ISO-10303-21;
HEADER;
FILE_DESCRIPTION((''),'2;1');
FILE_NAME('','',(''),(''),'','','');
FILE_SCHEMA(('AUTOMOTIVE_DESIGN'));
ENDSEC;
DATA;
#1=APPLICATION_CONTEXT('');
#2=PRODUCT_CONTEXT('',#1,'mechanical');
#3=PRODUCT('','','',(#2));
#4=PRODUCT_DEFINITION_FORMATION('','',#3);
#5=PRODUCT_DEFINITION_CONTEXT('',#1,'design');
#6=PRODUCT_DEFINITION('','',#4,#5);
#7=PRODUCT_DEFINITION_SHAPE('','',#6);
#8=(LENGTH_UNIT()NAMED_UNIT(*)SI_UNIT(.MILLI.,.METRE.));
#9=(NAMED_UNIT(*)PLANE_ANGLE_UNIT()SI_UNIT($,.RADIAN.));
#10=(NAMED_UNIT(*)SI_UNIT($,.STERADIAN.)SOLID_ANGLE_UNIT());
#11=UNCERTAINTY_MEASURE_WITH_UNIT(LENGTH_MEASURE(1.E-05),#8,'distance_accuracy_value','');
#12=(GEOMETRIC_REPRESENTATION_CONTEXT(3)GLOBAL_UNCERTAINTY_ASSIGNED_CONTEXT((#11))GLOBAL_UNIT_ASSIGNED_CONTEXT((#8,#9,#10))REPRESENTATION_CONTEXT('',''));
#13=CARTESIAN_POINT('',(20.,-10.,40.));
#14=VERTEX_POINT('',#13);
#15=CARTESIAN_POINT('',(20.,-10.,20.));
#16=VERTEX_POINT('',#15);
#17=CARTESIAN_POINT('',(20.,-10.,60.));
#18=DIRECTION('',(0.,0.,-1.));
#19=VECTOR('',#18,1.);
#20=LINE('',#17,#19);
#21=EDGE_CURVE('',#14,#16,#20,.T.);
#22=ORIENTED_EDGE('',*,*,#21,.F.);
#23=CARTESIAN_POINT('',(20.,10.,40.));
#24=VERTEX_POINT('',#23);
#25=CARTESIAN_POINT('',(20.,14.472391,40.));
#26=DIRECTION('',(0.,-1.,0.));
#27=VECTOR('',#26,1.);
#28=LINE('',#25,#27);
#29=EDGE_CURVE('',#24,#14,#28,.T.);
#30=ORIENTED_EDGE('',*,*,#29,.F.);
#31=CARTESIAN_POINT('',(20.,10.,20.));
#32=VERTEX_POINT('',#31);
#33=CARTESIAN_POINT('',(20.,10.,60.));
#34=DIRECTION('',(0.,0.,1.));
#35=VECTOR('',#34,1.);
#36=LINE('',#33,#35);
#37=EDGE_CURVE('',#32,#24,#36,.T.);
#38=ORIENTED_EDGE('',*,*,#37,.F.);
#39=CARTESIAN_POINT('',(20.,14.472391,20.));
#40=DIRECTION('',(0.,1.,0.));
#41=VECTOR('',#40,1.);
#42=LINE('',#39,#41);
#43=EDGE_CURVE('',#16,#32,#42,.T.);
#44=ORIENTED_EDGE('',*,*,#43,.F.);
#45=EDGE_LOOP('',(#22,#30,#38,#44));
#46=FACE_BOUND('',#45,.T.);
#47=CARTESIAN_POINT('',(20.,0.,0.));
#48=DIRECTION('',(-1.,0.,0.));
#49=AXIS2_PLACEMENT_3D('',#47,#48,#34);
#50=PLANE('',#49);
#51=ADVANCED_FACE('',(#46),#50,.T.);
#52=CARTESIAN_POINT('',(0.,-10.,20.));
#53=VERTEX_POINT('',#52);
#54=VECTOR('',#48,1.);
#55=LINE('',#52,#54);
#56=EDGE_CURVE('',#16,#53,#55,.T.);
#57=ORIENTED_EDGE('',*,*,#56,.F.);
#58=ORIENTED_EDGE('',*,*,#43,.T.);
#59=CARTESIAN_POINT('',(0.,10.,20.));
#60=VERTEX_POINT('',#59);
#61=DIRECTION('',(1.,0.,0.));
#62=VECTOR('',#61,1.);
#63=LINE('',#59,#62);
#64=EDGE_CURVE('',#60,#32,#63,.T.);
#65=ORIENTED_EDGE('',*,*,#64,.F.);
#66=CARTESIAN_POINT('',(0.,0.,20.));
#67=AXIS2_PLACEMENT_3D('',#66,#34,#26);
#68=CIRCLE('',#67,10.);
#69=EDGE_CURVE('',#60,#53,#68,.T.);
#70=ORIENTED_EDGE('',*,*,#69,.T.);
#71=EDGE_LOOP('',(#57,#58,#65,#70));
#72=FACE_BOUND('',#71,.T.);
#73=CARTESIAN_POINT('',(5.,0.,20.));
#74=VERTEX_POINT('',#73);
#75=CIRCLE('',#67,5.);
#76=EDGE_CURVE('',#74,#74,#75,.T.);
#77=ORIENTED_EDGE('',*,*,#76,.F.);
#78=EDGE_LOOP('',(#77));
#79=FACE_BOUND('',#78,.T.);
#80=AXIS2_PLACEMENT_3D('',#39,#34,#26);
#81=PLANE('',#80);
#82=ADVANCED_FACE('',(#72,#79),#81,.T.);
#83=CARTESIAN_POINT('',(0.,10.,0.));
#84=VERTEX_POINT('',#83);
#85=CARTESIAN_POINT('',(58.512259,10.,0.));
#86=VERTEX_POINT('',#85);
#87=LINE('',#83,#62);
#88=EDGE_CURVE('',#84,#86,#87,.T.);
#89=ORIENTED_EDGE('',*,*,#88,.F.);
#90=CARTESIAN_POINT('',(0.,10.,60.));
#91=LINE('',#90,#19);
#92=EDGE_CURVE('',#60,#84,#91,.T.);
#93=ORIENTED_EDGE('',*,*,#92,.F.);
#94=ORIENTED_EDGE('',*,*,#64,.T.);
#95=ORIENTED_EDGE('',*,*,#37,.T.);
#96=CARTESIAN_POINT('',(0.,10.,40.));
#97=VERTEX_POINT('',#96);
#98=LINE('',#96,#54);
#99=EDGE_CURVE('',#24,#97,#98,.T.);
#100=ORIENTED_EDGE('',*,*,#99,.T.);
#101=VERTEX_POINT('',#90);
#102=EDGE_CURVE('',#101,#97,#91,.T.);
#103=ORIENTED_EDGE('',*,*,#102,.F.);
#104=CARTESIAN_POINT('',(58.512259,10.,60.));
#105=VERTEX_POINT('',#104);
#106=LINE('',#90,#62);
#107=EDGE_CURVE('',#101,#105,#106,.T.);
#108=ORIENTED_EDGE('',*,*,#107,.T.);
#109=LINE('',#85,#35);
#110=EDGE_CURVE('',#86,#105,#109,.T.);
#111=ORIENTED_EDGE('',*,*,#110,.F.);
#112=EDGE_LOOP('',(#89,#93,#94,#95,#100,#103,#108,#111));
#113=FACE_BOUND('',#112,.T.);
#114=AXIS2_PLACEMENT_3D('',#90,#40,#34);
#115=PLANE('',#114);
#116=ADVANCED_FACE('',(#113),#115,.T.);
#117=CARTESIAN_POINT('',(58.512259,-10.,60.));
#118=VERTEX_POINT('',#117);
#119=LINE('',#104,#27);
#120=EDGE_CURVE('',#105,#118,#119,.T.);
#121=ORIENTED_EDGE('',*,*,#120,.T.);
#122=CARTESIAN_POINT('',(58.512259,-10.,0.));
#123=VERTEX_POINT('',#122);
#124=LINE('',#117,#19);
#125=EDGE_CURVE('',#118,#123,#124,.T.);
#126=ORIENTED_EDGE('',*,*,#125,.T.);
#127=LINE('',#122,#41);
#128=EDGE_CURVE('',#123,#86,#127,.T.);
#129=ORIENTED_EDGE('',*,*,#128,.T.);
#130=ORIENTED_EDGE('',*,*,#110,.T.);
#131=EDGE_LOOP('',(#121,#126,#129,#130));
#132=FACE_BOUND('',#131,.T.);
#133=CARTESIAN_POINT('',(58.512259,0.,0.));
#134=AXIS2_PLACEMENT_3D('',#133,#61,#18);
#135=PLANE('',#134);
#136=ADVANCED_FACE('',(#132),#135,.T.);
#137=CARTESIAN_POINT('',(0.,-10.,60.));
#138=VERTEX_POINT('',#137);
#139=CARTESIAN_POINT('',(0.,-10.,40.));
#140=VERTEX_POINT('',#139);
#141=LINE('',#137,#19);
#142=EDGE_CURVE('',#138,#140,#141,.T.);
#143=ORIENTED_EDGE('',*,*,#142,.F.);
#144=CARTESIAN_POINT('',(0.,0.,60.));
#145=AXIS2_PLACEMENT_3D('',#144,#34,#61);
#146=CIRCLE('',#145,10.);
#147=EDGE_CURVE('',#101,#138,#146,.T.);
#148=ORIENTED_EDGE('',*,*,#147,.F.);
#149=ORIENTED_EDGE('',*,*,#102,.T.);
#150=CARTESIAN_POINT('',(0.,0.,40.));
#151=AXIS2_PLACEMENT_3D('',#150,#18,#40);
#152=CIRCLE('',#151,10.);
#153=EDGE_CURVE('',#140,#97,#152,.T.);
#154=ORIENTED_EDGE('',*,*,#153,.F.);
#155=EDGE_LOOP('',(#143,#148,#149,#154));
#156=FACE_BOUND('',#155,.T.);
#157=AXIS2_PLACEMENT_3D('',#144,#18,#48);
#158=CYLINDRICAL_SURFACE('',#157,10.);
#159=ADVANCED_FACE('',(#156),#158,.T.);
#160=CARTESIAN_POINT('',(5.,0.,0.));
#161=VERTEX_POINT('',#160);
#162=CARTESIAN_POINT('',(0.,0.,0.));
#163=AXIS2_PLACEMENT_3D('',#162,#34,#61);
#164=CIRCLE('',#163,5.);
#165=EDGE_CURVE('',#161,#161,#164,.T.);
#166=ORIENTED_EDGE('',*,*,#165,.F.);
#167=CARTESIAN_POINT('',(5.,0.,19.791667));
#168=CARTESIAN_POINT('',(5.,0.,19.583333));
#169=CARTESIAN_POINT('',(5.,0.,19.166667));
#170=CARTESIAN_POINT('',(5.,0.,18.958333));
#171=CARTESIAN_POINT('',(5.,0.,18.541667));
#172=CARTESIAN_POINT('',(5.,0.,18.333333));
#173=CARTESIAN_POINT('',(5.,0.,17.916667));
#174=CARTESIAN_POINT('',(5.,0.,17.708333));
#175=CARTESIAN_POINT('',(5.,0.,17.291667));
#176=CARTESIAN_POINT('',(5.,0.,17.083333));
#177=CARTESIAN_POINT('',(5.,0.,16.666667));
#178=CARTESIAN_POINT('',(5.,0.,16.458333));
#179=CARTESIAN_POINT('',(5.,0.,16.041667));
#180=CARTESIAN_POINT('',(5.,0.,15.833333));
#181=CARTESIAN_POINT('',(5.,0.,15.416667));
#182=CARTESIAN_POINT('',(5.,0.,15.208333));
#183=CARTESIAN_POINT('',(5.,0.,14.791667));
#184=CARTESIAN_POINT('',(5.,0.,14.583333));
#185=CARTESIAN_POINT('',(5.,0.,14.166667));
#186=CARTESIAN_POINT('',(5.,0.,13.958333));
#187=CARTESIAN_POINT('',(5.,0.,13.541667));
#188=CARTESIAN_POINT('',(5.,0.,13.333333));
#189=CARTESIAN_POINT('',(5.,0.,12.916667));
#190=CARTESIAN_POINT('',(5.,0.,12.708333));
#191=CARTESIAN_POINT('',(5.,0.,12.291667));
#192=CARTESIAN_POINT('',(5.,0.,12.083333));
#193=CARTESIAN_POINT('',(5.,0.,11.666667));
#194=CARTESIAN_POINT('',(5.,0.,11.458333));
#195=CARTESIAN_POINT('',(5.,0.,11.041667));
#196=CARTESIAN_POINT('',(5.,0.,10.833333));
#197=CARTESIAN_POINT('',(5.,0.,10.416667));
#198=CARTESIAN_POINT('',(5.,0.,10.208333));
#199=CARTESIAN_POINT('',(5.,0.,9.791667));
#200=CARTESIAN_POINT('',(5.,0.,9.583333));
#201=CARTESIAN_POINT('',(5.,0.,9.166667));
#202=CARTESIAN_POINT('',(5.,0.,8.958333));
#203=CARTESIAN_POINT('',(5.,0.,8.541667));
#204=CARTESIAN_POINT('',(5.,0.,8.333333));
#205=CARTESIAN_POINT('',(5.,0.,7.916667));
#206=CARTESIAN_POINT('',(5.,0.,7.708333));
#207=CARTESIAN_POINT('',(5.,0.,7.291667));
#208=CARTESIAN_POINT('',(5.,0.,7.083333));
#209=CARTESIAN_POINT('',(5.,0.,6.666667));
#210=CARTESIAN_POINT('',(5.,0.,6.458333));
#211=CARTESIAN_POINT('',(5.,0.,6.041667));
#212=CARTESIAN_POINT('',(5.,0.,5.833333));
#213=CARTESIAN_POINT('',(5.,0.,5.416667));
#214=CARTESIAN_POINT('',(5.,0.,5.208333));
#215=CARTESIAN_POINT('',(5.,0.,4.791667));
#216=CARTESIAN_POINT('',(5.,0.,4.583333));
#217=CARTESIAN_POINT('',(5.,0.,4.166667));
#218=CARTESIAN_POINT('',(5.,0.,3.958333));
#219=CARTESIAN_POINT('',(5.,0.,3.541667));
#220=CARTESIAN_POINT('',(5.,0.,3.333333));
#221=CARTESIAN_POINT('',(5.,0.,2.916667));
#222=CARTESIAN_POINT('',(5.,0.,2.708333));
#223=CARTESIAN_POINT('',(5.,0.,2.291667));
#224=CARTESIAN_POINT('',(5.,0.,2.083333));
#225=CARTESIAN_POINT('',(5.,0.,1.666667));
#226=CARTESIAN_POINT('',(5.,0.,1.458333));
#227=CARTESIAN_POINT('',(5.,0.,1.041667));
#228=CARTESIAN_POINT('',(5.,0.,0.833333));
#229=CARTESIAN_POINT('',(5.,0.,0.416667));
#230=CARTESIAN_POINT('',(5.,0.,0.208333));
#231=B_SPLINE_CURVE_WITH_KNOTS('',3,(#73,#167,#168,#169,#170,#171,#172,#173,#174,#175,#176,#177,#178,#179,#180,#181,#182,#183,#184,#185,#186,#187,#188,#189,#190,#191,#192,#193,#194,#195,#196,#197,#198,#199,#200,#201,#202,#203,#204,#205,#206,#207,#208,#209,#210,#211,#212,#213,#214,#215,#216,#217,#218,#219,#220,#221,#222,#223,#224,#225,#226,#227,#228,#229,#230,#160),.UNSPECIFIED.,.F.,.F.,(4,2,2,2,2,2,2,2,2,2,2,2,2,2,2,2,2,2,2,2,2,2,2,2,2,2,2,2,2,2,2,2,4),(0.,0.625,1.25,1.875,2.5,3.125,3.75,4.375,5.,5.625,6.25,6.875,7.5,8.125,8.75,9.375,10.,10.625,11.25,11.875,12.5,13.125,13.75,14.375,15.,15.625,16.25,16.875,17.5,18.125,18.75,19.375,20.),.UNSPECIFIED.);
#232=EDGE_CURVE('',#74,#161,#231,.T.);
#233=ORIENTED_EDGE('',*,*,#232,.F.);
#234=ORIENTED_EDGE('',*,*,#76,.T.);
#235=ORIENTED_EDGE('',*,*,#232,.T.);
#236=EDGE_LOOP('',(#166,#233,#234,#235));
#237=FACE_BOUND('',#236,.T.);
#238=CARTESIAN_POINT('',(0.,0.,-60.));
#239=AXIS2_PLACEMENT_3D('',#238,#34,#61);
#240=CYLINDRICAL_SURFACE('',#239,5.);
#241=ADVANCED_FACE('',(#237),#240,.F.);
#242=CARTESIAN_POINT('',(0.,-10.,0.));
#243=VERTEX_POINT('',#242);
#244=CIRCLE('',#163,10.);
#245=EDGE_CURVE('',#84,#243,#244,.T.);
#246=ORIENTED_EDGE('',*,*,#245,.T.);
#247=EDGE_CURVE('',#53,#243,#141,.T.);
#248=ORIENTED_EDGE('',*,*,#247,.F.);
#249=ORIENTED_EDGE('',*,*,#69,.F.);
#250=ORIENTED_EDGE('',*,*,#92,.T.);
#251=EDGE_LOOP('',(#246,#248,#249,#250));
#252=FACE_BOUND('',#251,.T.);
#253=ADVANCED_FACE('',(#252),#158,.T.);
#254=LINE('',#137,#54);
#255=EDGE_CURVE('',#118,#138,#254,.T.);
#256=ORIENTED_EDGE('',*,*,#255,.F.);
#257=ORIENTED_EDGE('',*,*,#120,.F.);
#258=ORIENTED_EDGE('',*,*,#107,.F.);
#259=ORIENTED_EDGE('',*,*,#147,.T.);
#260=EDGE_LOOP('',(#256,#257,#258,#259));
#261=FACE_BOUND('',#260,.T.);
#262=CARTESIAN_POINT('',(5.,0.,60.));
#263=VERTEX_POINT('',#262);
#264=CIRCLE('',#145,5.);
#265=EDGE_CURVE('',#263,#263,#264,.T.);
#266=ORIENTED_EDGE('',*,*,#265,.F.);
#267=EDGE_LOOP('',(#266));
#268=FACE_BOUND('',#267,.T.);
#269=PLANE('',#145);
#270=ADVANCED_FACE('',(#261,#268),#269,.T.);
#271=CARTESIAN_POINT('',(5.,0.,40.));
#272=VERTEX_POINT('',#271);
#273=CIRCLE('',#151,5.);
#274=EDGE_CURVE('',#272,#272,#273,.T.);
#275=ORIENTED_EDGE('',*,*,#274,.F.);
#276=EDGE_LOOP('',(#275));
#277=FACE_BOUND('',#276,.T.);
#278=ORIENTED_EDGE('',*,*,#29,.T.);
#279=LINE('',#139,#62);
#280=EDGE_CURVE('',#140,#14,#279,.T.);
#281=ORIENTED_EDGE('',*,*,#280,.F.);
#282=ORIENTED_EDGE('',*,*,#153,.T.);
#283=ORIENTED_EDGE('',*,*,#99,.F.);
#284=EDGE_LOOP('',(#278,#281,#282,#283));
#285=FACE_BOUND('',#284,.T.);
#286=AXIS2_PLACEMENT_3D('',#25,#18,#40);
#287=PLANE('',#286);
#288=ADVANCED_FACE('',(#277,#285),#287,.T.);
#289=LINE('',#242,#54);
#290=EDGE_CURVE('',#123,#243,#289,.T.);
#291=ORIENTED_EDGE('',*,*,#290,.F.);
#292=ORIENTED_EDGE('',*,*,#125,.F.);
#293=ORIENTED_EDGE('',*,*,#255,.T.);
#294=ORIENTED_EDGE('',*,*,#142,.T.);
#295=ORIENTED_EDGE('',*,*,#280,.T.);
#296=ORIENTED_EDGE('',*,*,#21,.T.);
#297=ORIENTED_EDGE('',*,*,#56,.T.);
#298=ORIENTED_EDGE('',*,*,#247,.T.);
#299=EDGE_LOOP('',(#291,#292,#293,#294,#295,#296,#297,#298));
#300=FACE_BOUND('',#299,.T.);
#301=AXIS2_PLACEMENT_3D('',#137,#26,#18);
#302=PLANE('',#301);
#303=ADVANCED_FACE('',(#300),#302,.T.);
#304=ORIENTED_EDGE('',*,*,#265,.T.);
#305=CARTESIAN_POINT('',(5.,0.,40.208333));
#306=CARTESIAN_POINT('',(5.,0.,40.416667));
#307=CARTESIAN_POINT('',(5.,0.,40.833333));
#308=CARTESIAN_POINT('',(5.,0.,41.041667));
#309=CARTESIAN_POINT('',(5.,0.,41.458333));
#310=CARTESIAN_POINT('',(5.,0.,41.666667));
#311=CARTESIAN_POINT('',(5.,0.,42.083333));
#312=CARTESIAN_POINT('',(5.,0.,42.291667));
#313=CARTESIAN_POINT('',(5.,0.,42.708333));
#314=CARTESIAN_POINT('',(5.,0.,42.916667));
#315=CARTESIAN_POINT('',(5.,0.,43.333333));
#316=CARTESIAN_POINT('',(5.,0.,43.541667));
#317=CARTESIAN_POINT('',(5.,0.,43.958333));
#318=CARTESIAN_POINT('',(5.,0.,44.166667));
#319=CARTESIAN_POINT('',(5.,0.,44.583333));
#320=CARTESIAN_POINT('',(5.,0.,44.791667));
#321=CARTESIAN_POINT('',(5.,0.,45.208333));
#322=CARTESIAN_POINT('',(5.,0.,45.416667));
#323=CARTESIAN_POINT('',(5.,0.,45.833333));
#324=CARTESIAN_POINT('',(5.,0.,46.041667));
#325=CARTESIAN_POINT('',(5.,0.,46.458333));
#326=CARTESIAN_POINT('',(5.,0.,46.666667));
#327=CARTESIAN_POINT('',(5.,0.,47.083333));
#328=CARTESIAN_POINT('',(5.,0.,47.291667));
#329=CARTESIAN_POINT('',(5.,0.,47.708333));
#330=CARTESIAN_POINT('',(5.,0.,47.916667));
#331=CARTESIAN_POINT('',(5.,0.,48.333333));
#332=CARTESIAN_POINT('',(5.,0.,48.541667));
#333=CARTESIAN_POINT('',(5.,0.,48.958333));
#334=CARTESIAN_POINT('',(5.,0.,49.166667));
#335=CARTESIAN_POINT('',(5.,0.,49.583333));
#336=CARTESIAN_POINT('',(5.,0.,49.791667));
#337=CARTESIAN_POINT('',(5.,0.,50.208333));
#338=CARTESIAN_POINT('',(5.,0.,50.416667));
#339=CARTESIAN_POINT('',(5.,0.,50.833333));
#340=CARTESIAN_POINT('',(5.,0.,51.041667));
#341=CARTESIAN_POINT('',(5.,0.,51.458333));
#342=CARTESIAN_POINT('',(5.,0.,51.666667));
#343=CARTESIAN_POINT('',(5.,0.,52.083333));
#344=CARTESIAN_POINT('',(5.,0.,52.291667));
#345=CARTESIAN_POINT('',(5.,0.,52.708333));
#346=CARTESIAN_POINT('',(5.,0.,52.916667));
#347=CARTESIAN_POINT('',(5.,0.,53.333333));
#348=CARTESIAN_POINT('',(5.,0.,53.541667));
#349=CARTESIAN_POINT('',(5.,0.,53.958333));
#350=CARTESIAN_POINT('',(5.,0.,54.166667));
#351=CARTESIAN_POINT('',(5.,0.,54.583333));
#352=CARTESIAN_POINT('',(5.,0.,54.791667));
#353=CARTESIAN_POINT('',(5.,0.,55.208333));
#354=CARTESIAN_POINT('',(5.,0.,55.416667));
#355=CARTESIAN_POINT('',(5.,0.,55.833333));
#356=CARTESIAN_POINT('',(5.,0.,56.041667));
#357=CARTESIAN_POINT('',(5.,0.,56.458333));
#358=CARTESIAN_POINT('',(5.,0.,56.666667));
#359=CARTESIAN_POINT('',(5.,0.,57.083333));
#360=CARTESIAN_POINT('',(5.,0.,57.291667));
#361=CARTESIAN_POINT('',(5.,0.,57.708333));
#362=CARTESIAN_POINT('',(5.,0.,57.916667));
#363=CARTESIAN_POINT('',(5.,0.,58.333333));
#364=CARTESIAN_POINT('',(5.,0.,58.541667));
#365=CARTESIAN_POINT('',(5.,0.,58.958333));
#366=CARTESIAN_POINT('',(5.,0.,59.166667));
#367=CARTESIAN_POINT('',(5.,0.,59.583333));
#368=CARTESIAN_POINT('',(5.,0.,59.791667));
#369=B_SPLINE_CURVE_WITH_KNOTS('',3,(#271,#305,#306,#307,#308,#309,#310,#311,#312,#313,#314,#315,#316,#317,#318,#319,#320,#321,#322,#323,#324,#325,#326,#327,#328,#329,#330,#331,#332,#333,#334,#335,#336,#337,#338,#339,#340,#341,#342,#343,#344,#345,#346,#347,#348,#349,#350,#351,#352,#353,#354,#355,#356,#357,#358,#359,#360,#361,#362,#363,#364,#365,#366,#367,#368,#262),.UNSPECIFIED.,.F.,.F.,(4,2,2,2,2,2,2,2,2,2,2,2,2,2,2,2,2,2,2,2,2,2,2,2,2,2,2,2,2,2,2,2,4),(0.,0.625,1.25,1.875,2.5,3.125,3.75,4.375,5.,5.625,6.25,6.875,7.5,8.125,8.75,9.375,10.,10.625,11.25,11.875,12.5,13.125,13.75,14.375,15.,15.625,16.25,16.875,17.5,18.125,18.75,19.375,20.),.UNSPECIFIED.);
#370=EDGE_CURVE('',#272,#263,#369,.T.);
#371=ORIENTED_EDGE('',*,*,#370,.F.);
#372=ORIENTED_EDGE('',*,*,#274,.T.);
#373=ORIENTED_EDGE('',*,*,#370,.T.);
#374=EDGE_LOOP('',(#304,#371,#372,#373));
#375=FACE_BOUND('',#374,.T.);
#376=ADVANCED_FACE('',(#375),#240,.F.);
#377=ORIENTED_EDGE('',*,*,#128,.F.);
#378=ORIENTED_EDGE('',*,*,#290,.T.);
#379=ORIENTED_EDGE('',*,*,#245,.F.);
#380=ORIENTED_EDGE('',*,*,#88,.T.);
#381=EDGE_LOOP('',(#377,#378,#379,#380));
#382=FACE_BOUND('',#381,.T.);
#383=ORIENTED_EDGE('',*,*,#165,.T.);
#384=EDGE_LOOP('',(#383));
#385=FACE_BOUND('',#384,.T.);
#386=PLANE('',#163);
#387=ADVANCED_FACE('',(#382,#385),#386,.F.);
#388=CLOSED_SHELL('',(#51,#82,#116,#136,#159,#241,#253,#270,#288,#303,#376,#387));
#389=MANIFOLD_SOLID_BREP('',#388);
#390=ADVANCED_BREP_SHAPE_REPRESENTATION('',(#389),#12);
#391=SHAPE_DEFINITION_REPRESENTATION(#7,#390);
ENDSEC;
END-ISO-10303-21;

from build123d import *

# Parameters (mm, degrees)
SKETCH1_R               = 10
BOSS_EXTRUDE1_DEPTH     = 60
CUT_EXTRUDE1_DEPTH      = 20
CUT_EXTRUDE1_DEPTH_BACK = 40
SKETCH2_W               = 20
SKETCH2_H               = 28.944782362
SKETCH3_R               = 5
CUT_EXTRUDE3_DEPTH      = 120
SKETCH4_W               = 60
SKETCH4_H               = 20
BOSS_EXTRUDE2_DEPTH     = 5


with BuildPart() as part:
    # Sketch1 → Boss-Extrude1 (new body)
    with BuildSketch(Plane.XY):
        Circle(SKETCH1_R)
        with BuildLine():
            Line((53.512258846, 10), (0, 10))
            ThreePointArc((0, 10), (7.071067812, 7.071067812), (10, 0))
            ThreePointArc((10, 0), (7.071067812, -7.071067812), (0, -10))
            Line((0, -10), (53.512258846, -10))
            Line((53.512258846, -10), (53.512258846, 10))
        make_face()
    extrude(amount=BOSS_EXTRUDE1_DEPTH)

    # Sketch2 → Cut-Extrude1 (cut, two sides: drawn at the far end of the back side and taken through both)
    with BuildSketch(Plane(origin=(0, 0, 0), x_dir=(0, 0, -1), z_dir=(1, 0, 0)).offset(-CUT_EXTRUDE1_DEPTH_BACK)):
        with Locations((-30, 0)):
            Rectangle(SKETCH2_W, SKETCH2_H)
    extrude(amount=CUT_EXTRUDE1_DEPTH + CUT_EXTRUDE1_DEPTH_BACK, mode=Mode.SUBTRACT)

    # Sketch3 → Cut-Extrude3 (cut)
    with BuildSketch(Plane.XY.offset(60)):
        Circle(SKETCH3_R)
    extrude(amount=-CUT_EXTRUDE3_DEPTH, mode=Mode.SUBTRACT)

    # Sketch4 → Boss-Extrude2 (add)
    with BuildSketch(Plane(origin=(53.512258846, 0, 0), x_dir=(0, 0, -1), z_dir=(1, 0, 0))):
        with Locations((-30, 0)):
            Rectangle(SKETCH4_W, SKETCH4_H)
    extrude(amount=BOSS_EXTRUDE2_DEPTH)


solid = part.part
